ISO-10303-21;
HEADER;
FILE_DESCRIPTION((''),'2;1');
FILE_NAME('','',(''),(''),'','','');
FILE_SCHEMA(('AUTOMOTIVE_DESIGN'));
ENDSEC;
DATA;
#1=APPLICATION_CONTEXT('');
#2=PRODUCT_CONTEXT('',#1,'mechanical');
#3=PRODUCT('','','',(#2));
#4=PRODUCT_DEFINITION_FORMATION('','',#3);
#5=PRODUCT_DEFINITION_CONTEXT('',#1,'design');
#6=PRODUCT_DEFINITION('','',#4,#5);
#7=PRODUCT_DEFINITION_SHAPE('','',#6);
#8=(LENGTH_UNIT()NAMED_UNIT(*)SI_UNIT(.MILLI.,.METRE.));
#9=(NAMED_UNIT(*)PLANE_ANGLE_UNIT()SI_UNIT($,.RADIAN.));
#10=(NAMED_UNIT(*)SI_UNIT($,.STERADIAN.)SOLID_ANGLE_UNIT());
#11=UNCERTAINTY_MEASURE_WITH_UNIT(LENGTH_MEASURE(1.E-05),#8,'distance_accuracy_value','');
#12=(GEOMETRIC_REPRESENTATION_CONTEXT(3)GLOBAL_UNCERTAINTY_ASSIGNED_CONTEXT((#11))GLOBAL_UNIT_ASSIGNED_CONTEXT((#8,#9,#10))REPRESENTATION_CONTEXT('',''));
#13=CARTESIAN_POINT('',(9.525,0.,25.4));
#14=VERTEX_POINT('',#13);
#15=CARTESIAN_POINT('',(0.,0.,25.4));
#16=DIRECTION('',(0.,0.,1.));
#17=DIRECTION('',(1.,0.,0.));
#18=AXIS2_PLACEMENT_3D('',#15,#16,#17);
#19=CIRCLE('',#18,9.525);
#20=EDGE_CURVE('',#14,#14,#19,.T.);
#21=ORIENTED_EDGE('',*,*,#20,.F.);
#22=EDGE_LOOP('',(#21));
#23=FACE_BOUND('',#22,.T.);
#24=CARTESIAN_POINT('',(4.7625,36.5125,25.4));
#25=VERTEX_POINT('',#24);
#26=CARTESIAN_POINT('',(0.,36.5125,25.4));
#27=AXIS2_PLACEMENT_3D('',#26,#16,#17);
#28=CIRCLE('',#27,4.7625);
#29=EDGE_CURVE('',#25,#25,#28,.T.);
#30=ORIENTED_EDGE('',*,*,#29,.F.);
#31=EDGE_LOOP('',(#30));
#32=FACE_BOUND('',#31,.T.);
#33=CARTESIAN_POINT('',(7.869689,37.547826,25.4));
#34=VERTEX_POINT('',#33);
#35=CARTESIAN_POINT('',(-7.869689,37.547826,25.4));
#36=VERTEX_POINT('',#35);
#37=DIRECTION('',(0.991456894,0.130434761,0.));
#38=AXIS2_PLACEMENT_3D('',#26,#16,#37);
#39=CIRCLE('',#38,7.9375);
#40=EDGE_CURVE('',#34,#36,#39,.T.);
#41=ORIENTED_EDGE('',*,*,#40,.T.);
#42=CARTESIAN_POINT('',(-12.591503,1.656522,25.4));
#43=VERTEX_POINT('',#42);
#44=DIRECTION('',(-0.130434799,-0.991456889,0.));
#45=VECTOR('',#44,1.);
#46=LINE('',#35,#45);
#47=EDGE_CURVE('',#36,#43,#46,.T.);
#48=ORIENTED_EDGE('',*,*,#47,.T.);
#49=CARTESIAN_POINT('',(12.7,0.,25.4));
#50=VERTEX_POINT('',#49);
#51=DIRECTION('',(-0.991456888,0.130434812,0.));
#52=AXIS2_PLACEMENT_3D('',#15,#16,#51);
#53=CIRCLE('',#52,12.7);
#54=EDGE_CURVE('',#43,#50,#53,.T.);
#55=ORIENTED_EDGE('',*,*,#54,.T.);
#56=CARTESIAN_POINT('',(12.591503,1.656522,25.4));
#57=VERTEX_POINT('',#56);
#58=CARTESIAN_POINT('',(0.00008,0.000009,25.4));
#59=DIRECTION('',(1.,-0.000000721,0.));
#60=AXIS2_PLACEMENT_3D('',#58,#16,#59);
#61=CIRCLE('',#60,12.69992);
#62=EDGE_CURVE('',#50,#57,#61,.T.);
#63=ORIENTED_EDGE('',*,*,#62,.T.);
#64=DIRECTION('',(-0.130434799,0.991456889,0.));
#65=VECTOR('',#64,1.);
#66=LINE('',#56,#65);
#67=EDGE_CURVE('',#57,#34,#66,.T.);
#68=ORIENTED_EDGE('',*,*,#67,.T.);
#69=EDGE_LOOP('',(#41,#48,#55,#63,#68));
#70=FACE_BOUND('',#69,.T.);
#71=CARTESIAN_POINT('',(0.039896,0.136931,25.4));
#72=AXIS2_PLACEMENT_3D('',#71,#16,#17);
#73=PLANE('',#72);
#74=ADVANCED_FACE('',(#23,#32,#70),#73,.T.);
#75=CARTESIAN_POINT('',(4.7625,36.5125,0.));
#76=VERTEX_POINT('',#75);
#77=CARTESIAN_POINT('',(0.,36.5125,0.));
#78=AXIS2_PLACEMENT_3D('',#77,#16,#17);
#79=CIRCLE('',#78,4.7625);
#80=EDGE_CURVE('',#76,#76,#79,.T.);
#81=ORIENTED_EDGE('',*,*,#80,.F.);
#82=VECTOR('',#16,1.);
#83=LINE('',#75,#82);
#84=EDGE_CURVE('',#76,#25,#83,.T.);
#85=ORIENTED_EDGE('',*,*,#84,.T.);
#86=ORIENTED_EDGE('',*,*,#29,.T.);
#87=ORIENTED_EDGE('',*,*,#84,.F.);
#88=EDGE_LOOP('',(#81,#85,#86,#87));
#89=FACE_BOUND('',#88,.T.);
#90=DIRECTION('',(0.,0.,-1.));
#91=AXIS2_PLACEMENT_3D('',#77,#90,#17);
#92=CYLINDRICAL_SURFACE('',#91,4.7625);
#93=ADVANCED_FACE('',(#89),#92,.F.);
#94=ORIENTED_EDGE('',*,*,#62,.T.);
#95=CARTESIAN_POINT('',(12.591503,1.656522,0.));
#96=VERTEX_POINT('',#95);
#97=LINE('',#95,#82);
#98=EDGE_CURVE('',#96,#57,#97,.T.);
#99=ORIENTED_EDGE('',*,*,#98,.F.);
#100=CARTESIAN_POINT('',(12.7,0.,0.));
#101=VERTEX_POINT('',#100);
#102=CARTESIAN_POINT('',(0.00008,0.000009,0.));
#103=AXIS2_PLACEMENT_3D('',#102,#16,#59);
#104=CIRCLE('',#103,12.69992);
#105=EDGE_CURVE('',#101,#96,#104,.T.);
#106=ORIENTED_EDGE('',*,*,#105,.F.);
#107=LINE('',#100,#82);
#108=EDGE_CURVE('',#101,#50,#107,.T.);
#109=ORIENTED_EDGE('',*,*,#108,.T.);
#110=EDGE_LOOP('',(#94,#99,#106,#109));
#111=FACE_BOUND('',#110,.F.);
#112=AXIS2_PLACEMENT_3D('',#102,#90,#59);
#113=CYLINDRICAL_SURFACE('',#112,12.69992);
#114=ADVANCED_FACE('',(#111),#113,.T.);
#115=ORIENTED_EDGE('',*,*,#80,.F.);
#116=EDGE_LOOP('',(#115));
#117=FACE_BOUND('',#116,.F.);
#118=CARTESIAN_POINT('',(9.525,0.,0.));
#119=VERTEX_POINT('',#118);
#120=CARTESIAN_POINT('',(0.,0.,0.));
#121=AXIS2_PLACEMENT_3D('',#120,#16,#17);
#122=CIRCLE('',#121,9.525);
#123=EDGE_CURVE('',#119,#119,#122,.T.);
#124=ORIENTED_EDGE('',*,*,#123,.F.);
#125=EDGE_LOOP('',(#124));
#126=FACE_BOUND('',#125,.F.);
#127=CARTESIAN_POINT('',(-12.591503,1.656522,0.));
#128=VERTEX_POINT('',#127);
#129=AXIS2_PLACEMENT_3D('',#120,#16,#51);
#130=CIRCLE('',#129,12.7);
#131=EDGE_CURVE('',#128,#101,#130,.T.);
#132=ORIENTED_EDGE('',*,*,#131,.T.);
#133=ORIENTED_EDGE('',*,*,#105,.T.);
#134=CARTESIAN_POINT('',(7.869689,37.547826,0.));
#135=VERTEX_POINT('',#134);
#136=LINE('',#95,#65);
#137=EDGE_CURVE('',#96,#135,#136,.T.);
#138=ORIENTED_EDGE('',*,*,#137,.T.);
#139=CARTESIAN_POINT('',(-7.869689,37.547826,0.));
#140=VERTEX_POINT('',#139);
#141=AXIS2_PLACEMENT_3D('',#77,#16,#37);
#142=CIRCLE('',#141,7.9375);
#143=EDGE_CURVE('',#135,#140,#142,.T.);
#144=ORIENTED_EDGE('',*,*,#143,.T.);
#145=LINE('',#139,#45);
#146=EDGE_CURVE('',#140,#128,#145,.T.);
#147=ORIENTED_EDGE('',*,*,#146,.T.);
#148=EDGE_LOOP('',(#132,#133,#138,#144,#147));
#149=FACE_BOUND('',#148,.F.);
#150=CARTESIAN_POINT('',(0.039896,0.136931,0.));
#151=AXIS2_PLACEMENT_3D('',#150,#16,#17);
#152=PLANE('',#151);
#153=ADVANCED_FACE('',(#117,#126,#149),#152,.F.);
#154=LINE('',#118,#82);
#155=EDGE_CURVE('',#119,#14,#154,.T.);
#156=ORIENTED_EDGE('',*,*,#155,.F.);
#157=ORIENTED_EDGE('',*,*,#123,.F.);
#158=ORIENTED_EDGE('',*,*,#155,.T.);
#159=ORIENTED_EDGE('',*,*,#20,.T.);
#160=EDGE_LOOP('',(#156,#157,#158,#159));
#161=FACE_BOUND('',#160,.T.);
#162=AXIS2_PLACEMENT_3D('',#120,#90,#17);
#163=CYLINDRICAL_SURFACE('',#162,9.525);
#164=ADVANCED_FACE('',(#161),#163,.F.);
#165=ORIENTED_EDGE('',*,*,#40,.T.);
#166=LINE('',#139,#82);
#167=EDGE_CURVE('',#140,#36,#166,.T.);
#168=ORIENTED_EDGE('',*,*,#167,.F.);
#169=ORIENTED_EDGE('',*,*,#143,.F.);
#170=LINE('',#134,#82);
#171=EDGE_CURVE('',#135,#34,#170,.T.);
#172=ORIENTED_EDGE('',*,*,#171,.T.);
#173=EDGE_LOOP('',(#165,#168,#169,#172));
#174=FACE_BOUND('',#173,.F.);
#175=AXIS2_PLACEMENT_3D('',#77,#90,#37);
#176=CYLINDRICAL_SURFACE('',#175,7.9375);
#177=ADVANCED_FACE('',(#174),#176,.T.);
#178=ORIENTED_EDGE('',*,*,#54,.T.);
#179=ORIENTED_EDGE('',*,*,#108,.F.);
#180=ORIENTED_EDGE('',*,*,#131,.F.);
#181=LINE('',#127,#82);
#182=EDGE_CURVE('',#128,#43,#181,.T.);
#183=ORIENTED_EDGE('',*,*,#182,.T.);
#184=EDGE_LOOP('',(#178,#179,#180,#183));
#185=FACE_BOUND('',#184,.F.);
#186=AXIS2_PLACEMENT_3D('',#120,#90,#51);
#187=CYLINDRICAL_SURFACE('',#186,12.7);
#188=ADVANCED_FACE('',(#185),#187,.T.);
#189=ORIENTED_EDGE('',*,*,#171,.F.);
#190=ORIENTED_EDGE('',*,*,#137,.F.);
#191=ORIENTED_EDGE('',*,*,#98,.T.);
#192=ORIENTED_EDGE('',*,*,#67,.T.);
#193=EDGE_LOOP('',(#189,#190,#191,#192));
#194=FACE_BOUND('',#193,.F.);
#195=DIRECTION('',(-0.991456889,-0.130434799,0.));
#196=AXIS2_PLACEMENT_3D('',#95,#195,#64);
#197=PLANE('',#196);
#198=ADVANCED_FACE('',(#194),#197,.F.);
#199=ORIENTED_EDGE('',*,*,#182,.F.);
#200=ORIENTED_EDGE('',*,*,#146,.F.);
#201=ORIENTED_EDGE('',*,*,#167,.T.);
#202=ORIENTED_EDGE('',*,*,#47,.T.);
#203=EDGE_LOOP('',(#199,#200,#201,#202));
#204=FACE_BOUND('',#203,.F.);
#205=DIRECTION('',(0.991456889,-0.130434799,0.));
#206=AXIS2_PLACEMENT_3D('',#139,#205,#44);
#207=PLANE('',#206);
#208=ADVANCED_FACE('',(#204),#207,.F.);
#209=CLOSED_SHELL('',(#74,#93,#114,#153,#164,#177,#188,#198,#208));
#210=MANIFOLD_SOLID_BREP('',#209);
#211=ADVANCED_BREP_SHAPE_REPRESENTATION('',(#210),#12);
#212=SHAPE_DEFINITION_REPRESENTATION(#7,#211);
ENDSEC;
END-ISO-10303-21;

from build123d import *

# Parameters (mm, degrees)
F0_R     = 9.525
F0_R_2   = 4.7625
F1_DEPTH = 25.4


with BuildPart() as f1:
    # F0 (on Top) → F1 (new body)
    with BuildSketch(Plane.XY):
        with BuildLine():
            ThreePointArc((-12.591503, 1.656522), (-0.830036, -12.672847), (12.7, 0))
            ThreePointArc((12.7, 0), (12.672847, 0.830036), (12.591503, 1.656522))
            ThreePointArc((12.591503, 1.656522), (0, 12.7), (-12.591503, 1.656522))
        make_face()
        Circle(F0_R, mode=Mode.SUBTRACT)
        with BuildLine():
            ThreePointArc((-12.591503, 1.656522), (0, 12.7), (12.591503, 1.656522))
            Line((12.591503, 1.656522), (7.869689, 37.547826))
            ThreePointArc((7.869689, 37.547826), (7.920529, 37.031272), (7.9375, 36.5125))
            ThreePointArc((7.9375, 36.5125), (-0.518772, 28.591971), (-7.869689, 37.547826))
            Line((-7.869689, 37.547826), (-12.591503, 1.656522))
        make_face()
        with BuildLine():
            ThreePointArc((7.9375, 36.5125), (7.920529, 37.031272), (7.869689, 37.547826))
            ThreePointArc((7.869689, 37.547826), (0, 44.45), (-7.869689, 37.547826))
            ThreePointArc((-7.869689, 37.547826), (-0.518772, 28.591971), (7.9375, 36.5125))
        make_face()
        with Locations((0, 36.5125)):
            Circle(F0_R_2, mode=Mode.SUBTRACT)
    extrude(amount=F1_DEPTH)


solid = f1.part
